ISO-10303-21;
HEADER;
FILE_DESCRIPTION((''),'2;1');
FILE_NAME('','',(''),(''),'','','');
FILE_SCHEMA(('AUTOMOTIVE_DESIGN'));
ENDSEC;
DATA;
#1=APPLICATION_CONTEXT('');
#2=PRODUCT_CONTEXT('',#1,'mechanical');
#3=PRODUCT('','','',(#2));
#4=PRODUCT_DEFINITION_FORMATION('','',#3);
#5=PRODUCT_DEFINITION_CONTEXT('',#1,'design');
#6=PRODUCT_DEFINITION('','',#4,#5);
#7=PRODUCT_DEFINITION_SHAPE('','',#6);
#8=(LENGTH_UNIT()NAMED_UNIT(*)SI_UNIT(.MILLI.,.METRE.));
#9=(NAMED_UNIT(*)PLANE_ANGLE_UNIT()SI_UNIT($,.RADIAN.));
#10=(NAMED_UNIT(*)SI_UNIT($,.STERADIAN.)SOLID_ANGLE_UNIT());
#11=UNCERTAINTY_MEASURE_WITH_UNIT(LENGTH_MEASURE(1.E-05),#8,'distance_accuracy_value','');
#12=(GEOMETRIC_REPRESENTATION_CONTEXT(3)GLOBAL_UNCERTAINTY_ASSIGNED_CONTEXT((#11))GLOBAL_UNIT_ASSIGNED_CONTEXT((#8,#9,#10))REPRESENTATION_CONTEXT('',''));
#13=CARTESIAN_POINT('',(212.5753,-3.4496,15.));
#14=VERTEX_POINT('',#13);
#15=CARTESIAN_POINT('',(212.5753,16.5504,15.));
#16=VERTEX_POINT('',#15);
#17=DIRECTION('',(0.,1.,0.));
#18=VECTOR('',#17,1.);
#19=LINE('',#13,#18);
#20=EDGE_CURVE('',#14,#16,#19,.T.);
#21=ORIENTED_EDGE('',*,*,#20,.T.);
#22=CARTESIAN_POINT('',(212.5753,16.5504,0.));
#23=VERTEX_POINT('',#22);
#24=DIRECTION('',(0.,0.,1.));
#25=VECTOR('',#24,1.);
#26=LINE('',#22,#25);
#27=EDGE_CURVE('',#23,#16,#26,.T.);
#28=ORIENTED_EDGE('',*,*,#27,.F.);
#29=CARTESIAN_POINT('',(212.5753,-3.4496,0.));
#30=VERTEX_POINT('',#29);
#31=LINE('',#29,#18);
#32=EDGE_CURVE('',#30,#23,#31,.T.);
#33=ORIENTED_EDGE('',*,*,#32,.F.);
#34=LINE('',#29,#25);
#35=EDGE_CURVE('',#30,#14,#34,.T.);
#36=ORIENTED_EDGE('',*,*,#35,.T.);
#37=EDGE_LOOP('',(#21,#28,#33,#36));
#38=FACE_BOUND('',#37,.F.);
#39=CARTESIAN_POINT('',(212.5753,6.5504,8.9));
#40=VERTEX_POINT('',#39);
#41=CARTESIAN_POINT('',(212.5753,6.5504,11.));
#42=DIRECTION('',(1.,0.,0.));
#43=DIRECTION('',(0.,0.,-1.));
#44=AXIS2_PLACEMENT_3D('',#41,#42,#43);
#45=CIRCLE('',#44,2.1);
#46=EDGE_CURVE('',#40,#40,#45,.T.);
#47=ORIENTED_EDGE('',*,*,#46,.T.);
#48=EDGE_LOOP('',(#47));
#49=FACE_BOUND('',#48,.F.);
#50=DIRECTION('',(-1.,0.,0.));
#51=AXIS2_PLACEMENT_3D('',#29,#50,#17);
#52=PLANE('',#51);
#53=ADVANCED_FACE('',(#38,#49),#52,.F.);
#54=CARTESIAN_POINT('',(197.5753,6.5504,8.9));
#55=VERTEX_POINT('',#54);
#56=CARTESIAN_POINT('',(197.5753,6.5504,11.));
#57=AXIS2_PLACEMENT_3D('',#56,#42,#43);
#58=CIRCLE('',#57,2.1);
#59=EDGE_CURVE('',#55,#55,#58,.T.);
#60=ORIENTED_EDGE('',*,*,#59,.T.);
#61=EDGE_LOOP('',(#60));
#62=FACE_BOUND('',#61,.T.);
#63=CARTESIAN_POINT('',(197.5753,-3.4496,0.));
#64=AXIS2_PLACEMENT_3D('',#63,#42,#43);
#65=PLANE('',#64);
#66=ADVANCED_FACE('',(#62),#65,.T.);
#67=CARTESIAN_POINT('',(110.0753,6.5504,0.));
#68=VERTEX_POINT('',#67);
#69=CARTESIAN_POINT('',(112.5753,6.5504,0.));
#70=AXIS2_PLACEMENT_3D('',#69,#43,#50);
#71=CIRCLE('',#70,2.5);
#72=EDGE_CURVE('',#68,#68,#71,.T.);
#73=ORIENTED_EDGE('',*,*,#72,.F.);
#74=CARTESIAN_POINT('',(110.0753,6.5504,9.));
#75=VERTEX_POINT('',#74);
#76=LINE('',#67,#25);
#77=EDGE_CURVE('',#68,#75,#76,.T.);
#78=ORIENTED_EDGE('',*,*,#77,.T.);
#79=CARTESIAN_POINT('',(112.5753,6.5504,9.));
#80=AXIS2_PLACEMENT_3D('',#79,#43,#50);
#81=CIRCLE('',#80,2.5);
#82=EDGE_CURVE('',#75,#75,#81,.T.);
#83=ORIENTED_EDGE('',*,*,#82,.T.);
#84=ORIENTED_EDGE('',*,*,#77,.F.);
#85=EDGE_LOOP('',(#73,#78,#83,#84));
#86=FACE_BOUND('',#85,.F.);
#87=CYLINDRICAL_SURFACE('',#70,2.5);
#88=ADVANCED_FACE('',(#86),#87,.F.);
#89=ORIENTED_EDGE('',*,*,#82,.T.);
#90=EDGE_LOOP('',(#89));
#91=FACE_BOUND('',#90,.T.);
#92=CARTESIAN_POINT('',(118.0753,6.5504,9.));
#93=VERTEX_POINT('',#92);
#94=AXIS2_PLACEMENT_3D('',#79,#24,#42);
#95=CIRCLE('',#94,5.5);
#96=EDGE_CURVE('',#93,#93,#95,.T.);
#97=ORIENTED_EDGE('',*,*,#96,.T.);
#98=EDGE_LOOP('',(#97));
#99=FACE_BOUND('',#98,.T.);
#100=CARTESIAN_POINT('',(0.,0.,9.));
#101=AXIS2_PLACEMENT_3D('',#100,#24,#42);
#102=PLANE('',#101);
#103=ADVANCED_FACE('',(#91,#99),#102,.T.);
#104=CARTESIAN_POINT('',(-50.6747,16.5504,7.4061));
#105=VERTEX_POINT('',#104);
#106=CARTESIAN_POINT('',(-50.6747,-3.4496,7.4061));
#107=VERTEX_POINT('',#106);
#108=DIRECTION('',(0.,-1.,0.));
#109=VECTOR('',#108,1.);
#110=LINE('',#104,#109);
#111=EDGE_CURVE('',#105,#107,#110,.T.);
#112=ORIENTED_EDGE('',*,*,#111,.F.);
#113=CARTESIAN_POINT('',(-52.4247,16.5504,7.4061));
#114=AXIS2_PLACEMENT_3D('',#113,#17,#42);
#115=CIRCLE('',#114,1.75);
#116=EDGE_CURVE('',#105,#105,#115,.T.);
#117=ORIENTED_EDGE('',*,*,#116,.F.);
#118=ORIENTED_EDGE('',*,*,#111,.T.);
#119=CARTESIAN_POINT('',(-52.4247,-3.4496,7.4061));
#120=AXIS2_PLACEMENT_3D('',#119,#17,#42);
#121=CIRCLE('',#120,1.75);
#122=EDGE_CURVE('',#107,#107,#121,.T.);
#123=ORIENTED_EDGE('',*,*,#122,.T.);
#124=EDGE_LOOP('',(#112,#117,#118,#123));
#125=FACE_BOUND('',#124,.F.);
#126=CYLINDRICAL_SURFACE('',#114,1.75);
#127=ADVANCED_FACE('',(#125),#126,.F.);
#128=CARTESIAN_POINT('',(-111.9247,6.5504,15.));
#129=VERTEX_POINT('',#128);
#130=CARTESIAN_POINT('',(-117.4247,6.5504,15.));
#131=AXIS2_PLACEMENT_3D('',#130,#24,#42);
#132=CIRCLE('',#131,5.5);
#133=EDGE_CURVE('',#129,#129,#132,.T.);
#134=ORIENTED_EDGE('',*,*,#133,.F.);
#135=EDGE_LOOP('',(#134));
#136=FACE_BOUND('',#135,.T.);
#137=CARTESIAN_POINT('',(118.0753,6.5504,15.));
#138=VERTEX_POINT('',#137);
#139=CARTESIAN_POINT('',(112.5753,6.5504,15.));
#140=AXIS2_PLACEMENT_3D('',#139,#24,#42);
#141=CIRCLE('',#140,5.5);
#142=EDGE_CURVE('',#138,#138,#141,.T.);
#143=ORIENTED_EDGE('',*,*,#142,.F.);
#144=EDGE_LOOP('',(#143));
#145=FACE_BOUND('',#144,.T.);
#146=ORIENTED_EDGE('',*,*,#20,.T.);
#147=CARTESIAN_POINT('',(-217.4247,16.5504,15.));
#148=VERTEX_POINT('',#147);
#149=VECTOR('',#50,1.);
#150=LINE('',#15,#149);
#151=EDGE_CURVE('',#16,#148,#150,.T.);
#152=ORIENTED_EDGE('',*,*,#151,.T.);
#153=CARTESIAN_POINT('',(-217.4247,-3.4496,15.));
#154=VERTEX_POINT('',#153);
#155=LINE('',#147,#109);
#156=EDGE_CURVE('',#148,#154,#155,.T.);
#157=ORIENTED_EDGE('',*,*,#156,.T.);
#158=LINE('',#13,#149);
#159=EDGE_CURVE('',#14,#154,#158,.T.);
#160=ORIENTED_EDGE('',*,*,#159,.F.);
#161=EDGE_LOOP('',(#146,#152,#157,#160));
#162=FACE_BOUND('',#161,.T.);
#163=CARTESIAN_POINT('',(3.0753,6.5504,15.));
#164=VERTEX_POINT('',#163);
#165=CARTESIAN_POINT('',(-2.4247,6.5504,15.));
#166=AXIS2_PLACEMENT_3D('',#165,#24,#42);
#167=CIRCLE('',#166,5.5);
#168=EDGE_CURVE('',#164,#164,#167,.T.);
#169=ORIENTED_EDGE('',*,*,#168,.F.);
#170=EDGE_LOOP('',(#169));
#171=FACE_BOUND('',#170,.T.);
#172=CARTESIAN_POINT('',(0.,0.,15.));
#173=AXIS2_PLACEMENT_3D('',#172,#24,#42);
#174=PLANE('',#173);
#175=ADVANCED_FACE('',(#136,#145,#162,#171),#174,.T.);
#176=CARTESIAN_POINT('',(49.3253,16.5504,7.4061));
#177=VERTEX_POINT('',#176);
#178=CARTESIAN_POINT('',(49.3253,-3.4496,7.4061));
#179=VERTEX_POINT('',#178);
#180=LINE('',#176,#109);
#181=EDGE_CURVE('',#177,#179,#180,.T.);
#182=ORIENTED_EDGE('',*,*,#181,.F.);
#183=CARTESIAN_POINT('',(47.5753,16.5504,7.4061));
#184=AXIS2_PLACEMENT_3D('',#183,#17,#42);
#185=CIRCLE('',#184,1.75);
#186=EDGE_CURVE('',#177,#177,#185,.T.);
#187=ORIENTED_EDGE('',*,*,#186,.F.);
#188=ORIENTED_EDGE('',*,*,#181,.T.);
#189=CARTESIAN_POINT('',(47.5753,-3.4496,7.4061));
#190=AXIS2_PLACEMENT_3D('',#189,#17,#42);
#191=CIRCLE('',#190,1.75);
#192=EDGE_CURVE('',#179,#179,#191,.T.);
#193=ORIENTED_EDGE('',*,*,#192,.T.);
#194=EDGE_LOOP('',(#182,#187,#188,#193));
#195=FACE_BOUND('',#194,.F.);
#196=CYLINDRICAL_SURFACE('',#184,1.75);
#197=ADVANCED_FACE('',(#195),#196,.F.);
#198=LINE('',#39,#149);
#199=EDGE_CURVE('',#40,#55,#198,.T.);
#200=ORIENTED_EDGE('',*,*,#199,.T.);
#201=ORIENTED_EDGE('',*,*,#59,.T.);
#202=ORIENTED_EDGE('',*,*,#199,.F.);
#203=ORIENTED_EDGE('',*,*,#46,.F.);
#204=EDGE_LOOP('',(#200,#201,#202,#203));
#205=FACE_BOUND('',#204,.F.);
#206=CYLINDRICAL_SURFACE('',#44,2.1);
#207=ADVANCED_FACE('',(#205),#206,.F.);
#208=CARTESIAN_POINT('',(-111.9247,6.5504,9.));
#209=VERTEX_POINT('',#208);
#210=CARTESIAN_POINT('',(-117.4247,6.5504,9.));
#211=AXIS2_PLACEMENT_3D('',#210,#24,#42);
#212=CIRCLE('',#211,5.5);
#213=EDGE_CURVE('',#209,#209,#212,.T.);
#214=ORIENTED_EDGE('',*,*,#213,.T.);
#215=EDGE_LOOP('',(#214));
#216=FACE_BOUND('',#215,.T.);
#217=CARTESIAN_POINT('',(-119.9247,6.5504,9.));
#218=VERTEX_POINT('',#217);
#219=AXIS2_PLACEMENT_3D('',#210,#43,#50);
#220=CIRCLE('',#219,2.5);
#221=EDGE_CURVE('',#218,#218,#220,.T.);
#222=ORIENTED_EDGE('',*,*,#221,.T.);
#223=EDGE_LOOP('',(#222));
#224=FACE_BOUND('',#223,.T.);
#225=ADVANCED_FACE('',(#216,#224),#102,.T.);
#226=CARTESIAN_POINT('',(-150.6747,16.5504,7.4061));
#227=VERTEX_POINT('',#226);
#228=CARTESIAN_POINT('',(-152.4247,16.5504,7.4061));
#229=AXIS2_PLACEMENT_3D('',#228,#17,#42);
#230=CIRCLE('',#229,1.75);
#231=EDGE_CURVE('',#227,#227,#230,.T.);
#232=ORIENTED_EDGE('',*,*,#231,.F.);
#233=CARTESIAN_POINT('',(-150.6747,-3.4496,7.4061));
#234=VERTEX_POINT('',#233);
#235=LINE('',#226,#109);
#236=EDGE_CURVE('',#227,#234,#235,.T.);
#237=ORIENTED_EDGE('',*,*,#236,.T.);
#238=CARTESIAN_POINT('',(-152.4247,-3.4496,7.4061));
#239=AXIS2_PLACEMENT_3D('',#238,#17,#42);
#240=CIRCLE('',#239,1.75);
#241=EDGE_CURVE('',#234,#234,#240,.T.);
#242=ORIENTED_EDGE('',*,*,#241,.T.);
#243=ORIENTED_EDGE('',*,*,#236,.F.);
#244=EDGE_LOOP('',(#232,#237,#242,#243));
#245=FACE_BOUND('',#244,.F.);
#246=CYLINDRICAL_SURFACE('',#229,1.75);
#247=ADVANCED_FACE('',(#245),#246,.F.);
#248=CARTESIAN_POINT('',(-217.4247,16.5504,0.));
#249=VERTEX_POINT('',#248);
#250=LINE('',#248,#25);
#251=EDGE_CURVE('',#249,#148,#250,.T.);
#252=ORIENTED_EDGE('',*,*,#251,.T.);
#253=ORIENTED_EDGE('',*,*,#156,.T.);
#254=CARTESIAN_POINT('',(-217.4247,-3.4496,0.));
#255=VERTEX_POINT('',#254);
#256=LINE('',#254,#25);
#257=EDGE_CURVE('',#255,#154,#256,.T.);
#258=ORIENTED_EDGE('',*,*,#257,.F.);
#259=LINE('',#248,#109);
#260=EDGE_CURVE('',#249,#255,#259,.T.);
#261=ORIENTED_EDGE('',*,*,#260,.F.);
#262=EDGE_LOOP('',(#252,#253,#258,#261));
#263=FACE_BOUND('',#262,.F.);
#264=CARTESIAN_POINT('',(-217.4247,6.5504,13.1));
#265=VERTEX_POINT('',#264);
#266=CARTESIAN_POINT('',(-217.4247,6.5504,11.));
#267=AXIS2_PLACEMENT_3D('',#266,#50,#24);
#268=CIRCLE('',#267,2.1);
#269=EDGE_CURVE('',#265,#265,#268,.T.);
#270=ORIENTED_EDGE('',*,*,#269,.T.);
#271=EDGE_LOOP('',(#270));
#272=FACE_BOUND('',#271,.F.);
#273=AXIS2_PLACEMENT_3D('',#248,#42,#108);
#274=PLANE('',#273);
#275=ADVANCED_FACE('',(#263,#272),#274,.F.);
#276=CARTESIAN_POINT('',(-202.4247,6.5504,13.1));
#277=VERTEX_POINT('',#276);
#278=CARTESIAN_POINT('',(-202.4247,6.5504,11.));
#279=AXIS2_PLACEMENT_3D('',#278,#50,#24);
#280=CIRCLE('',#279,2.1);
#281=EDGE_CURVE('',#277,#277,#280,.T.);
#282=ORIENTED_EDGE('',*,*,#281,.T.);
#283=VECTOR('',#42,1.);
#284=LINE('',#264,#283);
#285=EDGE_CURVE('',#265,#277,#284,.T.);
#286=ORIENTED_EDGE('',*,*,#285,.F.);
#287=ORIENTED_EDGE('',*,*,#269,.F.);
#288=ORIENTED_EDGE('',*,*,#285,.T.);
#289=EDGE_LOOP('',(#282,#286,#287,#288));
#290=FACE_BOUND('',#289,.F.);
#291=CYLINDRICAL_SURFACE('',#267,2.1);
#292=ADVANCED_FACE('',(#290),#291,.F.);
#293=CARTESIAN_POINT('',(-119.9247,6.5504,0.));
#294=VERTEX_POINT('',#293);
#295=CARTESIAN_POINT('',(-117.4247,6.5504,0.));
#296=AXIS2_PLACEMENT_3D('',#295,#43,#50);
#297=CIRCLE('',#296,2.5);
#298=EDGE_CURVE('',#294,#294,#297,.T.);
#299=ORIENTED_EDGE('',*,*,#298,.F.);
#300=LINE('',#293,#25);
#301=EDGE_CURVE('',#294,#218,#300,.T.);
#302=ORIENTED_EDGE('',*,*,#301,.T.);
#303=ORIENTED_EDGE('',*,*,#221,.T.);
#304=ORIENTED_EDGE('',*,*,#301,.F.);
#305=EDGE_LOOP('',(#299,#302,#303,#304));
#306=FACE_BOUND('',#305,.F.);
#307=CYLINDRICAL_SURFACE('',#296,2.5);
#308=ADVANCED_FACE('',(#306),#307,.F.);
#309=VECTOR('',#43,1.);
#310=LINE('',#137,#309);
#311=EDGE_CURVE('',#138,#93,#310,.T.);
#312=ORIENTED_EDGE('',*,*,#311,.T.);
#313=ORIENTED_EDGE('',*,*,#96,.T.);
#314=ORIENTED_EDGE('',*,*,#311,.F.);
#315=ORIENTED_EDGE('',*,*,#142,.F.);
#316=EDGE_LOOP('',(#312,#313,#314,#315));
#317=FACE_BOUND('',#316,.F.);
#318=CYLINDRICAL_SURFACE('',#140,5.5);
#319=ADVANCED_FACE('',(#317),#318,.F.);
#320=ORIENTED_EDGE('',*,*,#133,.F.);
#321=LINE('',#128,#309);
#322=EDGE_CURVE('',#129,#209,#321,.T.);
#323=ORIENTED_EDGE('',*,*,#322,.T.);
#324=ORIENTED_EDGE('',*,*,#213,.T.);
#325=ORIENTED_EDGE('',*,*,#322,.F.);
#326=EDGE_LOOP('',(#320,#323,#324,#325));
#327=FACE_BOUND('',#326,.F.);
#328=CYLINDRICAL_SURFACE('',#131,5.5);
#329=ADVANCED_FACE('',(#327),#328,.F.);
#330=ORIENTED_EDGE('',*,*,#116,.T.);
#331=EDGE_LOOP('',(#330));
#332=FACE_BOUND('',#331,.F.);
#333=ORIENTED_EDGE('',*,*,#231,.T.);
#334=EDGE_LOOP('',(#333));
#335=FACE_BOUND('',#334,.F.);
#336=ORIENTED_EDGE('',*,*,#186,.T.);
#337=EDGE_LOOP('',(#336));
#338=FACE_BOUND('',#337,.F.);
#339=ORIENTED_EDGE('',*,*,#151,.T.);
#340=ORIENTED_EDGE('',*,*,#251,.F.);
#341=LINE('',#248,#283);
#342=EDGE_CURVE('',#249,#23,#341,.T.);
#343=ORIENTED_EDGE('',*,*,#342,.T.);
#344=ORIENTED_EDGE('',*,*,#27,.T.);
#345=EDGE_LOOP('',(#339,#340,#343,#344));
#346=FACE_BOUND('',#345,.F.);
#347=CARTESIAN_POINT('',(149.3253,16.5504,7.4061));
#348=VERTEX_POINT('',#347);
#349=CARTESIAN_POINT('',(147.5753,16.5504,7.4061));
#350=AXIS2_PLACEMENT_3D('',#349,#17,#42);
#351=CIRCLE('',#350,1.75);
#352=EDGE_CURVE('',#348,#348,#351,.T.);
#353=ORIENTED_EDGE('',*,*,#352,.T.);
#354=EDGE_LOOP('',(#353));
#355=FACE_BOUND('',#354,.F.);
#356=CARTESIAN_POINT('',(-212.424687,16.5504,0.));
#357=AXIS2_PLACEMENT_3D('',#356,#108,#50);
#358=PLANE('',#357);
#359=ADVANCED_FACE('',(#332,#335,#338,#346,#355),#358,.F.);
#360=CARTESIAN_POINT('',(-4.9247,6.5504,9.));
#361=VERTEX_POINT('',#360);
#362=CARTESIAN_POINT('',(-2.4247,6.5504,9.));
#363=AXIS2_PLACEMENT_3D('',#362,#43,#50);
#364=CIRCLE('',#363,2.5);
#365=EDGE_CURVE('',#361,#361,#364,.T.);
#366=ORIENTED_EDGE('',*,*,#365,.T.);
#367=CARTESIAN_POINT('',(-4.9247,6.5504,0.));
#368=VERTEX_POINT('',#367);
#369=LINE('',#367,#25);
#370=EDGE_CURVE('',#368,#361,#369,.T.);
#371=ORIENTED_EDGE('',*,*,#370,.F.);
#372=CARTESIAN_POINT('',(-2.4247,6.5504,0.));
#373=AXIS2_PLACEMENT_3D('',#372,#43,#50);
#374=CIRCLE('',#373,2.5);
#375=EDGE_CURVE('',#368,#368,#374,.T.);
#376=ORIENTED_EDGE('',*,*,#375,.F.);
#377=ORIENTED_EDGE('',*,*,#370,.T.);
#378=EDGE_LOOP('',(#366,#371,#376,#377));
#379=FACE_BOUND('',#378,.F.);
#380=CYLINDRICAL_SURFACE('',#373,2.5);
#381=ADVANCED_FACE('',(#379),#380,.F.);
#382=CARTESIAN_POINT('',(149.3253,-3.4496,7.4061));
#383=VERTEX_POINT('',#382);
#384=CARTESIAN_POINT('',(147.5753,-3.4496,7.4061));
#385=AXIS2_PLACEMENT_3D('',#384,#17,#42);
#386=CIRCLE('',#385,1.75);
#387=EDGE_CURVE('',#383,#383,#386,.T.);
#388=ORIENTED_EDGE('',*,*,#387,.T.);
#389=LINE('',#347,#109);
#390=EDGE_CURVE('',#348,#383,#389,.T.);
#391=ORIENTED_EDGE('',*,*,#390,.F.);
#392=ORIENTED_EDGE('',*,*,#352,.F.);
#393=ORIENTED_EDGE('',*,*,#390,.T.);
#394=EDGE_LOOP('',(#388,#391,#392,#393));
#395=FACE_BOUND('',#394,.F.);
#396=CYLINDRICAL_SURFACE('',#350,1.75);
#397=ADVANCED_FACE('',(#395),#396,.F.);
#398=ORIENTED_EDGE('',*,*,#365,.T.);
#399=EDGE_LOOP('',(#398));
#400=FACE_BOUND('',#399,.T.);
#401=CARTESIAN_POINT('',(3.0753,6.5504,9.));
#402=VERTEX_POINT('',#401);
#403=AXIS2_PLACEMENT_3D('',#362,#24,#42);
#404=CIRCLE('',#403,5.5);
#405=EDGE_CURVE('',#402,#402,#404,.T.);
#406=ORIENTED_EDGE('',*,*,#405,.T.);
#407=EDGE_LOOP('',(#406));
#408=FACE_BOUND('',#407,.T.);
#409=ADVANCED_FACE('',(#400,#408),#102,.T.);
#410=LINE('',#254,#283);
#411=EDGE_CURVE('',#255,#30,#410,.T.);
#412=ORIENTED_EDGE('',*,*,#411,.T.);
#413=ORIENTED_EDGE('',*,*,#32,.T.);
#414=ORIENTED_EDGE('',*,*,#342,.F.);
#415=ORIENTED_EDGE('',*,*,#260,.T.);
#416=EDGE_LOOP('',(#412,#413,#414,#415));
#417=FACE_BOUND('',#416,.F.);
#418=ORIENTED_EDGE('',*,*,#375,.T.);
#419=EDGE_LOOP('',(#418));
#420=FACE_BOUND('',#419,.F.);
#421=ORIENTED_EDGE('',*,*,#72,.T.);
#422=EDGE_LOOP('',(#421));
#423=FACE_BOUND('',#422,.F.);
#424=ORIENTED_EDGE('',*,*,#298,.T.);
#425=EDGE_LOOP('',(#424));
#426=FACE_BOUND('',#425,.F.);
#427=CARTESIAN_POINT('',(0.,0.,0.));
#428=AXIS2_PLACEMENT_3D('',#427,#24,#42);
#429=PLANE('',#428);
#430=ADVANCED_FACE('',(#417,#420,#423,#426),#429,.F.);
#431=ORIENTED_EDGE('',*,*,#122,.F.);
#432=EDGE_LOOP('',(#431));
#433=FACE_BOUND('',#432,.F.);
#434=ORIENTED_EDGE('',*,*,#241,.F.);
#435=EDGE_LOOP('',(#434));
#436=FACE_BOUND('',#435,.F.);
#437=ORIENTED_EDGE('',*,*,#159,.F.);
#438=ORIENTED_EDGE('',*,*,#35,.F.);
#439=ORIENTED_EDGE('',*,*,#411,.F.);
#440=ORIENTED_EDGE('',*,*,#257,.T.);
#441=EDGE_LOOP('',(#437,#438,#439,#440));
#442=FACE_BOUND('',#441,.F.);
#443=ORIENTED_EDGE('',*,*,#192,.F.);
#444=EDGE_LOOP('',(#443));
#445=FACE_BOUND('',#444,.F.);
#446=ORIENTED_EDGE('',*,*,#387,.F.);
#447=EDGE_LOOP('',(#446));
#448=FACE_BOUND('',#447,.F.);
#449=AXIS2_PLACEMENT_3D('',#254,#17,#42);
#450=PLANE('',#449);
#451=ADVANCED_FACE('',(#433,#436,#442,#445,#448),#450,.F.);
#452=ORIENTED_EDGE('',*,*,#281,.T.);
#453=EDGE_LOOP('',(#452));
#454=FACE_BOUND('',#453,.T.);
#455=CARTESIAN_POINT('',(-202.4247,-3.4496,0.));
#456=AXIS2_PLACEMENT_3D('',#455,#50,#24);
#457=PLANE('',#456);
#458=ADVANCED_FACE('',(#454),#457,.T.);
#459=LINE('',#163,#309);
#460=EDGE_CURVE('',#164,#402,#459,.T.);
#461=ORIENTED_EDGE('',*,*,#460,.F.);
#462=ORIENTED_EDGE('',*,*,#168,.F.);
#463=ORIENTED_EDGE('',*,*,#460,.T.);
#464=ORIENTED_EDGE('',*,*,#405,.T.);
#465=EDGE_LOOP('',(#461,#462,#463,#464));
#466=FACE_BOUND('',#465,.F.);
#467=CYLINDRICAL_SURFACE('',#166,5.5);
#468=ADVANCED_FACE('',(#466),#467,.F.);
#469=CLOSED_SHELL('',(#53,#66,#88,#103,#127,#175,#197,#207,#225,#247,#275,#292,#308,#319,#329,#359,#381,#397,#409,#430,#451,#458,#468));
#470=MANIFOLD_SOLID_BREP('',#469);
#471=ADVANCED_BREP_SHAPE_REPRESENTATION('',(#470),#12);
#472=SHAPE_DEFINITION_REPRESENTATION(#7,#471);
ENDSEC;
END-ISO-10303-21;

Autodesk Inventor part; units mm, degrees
ref_plane "YZ Plane" through (0, 0, 0) normal (1, 0, 0) x (0, 1, 0)
ref_plane "XZ Plane" through (0, 0, 0) normal (0, 1, 0) x (-1, 0, 0)
ref_plane "XY Plane" through (0, 0, 0) normal (0, 0, 1) x (1, 0, 0)
sketch "Sketch1" plane through (0, 0, 0) normal (0, 0, 1) x (1, 0, 0)
  line L0 (-212.4247, -46.9955) -> (-212.4247, -61.9955) projected
  line L1 (-212.4247, -61.9955) -> (213.9753, -61.9955) projected
  line L2 (213.9753, -61.9955) -> (213.9753, -46.9955) projected
  line L3 (213.9753, -46.9955) -> (-212.4247, -46.9955) projected
  line L4 (213.9754, 278.5874) -> (243.9754, 278.5874) projected
  line L5 (243.9754, 278.5874) -> (243.9753, -71.9955) projected
  line L6 (243.9753, -71.9955) -> (-242.4247, -71.9955) projected
  line L7 (-242.4247, -71.9955) -> (-242.4246, 278.5875) projected
  line L8 (-242.4246, 278.5875) -> (-212.4246, 278.5875) projected
  line L9 (-212.4246, 278.5875) -> (-212.4247, -21.9955) projected
  line L10 (-212.4247, -21.9955) -> (213.9753, -21.9955) projected
  line L11 (213.9753, -21.9955) -> (213.9754, 278.5874) projected
  line L12 (-217.4247, -3.4496) -> (212.5753, -3.4496)
  line L13 (212.5753, -3.4496) -> (212.5753, 16.5504)
  line L14 (212.5753, 16.5504) -> (-217.4247, 16.5504)
  line L15 (-217.4247, 16.5504) -> (-217.4247, -3.4496)
  point P0 (0, 0)
  dimension "d1" = 20
  dimension "d11" = 430
extrude "Extrusion1" add sketch "Sketch1" along normal blind 15 contours L12 L15 L14 L9 | L9 L14 L13 L12
sketch "Sketch2" plane through (0, 0, 0) normal (0, 0, -1) x (-1, 0, 0)
  line L0 (217.4247, -3.4496) -> (-212.5753, -3.4496) construction
  line L1 (2.4247, -3.4496) -> (2.4247, 18.0985) construction
  line L2 (217.4247, 16.5504) -> (217.4247, -3.4496) construction
  line L3 (217.4247, 6.5504) -> (-212.5753, 6.5504) construction
  line L4 (-212.5753, -3.4496) -> (-212.5753, 16.5504) construction
  circle A0 centre (117.4247, 6.5504) radius 2.5
  circle A1 centre (-112.5753, 6.5504) radius 2.5
  circle A2 centre (2.4247, 6.5504) radius 2.5
  point P0 (0, 0)
  dimension "d4" = 5
  dimension "d5" = 100
  dimension "d6" = 5
  dimension "d7" = 100
  dimension "d8" = 5
extrude "Extrusion2" cut sketch "Sketch2" against normal through all
sketch "Sketch3" plane through (0, 0, 15) normal (0, 0, 1) x (1, 0, 0)
  circle A0 centre (-117.4247, 6.5504) radius 2.5 projected
  circle A1 centre (-2.4247, 6.5504) radius 2.5 projected
  circle A2 centre (112.5753, 6.5504) radius 2.5 projected
  circle A3 centre (-117.4247, 6.5504) radius 5.5
  circle A4 centre (-2.4247, 6.5504) radius 5.5
  circle A5 centre (112.5753, 6.5504) radius 5.5
  point P0 (0, 0)
  dimension "d12" = 11
  dimension "d13" = 11
  dimension "d14" = 11
extrude "Extrusion3" cut sketch "Sketch3" against normal blind 6 contours A0 | A1 | A2 | A3 | A4 | A5
sketch "Sketch4" plane through (212.5753, -3.4496, 0) normal (1, 0, 0) x (0, 0, -1)
  circle A0 centre (-11, 10) radius 2.1
  line L0 (-15, 0) -> (-15, 20) projected
  point P0 (0, 3.4496)
  dimension "d17" = 4.2
  dimension "d18" = 4
extrude "Extrusion4" cut sketch "Sketch4" against normal blind 15
sketch "Sketch5" plane through (-217.4247, -3.4496, 0) normal (-1, 0, 0) x (0, 0, 1)
  circle A0 centre (11, 10) radius 2.1 projected
  circle A1 centre (11, 10) radius 2.1 projected
  point P0 (0, 3.4496)
extrude "Extrusion5" cut sketch "Sketch5" against normal blind 15
sketch "Sketch6" plane through (-217.4247, 16.5504, 0) normal (0, 1, 0) x (1, 0, 0)
  circle A0 centre (65, -7.4061) radius 1.75
  line L0 (430, 0) -> (0, 0) construction
  circle A1 centre (165, -7.4061) radius 1.75
  circle A2 centre (265, -7.4061) radius 1.75
  circle A3 centre (365, -7.4061) radius 1.75
  line L1 (0, 0) -> (0, -15) construction
  point P0 (217.4247, 0)
  dimension "d23" = 3.5
  dimension "d26" = 100
  dimension "d31" = 65
extrude "Extrusion6" cut sketch "Sketch6" against normal through all
properties part number "Wiper Springloaded 1_CPY"
